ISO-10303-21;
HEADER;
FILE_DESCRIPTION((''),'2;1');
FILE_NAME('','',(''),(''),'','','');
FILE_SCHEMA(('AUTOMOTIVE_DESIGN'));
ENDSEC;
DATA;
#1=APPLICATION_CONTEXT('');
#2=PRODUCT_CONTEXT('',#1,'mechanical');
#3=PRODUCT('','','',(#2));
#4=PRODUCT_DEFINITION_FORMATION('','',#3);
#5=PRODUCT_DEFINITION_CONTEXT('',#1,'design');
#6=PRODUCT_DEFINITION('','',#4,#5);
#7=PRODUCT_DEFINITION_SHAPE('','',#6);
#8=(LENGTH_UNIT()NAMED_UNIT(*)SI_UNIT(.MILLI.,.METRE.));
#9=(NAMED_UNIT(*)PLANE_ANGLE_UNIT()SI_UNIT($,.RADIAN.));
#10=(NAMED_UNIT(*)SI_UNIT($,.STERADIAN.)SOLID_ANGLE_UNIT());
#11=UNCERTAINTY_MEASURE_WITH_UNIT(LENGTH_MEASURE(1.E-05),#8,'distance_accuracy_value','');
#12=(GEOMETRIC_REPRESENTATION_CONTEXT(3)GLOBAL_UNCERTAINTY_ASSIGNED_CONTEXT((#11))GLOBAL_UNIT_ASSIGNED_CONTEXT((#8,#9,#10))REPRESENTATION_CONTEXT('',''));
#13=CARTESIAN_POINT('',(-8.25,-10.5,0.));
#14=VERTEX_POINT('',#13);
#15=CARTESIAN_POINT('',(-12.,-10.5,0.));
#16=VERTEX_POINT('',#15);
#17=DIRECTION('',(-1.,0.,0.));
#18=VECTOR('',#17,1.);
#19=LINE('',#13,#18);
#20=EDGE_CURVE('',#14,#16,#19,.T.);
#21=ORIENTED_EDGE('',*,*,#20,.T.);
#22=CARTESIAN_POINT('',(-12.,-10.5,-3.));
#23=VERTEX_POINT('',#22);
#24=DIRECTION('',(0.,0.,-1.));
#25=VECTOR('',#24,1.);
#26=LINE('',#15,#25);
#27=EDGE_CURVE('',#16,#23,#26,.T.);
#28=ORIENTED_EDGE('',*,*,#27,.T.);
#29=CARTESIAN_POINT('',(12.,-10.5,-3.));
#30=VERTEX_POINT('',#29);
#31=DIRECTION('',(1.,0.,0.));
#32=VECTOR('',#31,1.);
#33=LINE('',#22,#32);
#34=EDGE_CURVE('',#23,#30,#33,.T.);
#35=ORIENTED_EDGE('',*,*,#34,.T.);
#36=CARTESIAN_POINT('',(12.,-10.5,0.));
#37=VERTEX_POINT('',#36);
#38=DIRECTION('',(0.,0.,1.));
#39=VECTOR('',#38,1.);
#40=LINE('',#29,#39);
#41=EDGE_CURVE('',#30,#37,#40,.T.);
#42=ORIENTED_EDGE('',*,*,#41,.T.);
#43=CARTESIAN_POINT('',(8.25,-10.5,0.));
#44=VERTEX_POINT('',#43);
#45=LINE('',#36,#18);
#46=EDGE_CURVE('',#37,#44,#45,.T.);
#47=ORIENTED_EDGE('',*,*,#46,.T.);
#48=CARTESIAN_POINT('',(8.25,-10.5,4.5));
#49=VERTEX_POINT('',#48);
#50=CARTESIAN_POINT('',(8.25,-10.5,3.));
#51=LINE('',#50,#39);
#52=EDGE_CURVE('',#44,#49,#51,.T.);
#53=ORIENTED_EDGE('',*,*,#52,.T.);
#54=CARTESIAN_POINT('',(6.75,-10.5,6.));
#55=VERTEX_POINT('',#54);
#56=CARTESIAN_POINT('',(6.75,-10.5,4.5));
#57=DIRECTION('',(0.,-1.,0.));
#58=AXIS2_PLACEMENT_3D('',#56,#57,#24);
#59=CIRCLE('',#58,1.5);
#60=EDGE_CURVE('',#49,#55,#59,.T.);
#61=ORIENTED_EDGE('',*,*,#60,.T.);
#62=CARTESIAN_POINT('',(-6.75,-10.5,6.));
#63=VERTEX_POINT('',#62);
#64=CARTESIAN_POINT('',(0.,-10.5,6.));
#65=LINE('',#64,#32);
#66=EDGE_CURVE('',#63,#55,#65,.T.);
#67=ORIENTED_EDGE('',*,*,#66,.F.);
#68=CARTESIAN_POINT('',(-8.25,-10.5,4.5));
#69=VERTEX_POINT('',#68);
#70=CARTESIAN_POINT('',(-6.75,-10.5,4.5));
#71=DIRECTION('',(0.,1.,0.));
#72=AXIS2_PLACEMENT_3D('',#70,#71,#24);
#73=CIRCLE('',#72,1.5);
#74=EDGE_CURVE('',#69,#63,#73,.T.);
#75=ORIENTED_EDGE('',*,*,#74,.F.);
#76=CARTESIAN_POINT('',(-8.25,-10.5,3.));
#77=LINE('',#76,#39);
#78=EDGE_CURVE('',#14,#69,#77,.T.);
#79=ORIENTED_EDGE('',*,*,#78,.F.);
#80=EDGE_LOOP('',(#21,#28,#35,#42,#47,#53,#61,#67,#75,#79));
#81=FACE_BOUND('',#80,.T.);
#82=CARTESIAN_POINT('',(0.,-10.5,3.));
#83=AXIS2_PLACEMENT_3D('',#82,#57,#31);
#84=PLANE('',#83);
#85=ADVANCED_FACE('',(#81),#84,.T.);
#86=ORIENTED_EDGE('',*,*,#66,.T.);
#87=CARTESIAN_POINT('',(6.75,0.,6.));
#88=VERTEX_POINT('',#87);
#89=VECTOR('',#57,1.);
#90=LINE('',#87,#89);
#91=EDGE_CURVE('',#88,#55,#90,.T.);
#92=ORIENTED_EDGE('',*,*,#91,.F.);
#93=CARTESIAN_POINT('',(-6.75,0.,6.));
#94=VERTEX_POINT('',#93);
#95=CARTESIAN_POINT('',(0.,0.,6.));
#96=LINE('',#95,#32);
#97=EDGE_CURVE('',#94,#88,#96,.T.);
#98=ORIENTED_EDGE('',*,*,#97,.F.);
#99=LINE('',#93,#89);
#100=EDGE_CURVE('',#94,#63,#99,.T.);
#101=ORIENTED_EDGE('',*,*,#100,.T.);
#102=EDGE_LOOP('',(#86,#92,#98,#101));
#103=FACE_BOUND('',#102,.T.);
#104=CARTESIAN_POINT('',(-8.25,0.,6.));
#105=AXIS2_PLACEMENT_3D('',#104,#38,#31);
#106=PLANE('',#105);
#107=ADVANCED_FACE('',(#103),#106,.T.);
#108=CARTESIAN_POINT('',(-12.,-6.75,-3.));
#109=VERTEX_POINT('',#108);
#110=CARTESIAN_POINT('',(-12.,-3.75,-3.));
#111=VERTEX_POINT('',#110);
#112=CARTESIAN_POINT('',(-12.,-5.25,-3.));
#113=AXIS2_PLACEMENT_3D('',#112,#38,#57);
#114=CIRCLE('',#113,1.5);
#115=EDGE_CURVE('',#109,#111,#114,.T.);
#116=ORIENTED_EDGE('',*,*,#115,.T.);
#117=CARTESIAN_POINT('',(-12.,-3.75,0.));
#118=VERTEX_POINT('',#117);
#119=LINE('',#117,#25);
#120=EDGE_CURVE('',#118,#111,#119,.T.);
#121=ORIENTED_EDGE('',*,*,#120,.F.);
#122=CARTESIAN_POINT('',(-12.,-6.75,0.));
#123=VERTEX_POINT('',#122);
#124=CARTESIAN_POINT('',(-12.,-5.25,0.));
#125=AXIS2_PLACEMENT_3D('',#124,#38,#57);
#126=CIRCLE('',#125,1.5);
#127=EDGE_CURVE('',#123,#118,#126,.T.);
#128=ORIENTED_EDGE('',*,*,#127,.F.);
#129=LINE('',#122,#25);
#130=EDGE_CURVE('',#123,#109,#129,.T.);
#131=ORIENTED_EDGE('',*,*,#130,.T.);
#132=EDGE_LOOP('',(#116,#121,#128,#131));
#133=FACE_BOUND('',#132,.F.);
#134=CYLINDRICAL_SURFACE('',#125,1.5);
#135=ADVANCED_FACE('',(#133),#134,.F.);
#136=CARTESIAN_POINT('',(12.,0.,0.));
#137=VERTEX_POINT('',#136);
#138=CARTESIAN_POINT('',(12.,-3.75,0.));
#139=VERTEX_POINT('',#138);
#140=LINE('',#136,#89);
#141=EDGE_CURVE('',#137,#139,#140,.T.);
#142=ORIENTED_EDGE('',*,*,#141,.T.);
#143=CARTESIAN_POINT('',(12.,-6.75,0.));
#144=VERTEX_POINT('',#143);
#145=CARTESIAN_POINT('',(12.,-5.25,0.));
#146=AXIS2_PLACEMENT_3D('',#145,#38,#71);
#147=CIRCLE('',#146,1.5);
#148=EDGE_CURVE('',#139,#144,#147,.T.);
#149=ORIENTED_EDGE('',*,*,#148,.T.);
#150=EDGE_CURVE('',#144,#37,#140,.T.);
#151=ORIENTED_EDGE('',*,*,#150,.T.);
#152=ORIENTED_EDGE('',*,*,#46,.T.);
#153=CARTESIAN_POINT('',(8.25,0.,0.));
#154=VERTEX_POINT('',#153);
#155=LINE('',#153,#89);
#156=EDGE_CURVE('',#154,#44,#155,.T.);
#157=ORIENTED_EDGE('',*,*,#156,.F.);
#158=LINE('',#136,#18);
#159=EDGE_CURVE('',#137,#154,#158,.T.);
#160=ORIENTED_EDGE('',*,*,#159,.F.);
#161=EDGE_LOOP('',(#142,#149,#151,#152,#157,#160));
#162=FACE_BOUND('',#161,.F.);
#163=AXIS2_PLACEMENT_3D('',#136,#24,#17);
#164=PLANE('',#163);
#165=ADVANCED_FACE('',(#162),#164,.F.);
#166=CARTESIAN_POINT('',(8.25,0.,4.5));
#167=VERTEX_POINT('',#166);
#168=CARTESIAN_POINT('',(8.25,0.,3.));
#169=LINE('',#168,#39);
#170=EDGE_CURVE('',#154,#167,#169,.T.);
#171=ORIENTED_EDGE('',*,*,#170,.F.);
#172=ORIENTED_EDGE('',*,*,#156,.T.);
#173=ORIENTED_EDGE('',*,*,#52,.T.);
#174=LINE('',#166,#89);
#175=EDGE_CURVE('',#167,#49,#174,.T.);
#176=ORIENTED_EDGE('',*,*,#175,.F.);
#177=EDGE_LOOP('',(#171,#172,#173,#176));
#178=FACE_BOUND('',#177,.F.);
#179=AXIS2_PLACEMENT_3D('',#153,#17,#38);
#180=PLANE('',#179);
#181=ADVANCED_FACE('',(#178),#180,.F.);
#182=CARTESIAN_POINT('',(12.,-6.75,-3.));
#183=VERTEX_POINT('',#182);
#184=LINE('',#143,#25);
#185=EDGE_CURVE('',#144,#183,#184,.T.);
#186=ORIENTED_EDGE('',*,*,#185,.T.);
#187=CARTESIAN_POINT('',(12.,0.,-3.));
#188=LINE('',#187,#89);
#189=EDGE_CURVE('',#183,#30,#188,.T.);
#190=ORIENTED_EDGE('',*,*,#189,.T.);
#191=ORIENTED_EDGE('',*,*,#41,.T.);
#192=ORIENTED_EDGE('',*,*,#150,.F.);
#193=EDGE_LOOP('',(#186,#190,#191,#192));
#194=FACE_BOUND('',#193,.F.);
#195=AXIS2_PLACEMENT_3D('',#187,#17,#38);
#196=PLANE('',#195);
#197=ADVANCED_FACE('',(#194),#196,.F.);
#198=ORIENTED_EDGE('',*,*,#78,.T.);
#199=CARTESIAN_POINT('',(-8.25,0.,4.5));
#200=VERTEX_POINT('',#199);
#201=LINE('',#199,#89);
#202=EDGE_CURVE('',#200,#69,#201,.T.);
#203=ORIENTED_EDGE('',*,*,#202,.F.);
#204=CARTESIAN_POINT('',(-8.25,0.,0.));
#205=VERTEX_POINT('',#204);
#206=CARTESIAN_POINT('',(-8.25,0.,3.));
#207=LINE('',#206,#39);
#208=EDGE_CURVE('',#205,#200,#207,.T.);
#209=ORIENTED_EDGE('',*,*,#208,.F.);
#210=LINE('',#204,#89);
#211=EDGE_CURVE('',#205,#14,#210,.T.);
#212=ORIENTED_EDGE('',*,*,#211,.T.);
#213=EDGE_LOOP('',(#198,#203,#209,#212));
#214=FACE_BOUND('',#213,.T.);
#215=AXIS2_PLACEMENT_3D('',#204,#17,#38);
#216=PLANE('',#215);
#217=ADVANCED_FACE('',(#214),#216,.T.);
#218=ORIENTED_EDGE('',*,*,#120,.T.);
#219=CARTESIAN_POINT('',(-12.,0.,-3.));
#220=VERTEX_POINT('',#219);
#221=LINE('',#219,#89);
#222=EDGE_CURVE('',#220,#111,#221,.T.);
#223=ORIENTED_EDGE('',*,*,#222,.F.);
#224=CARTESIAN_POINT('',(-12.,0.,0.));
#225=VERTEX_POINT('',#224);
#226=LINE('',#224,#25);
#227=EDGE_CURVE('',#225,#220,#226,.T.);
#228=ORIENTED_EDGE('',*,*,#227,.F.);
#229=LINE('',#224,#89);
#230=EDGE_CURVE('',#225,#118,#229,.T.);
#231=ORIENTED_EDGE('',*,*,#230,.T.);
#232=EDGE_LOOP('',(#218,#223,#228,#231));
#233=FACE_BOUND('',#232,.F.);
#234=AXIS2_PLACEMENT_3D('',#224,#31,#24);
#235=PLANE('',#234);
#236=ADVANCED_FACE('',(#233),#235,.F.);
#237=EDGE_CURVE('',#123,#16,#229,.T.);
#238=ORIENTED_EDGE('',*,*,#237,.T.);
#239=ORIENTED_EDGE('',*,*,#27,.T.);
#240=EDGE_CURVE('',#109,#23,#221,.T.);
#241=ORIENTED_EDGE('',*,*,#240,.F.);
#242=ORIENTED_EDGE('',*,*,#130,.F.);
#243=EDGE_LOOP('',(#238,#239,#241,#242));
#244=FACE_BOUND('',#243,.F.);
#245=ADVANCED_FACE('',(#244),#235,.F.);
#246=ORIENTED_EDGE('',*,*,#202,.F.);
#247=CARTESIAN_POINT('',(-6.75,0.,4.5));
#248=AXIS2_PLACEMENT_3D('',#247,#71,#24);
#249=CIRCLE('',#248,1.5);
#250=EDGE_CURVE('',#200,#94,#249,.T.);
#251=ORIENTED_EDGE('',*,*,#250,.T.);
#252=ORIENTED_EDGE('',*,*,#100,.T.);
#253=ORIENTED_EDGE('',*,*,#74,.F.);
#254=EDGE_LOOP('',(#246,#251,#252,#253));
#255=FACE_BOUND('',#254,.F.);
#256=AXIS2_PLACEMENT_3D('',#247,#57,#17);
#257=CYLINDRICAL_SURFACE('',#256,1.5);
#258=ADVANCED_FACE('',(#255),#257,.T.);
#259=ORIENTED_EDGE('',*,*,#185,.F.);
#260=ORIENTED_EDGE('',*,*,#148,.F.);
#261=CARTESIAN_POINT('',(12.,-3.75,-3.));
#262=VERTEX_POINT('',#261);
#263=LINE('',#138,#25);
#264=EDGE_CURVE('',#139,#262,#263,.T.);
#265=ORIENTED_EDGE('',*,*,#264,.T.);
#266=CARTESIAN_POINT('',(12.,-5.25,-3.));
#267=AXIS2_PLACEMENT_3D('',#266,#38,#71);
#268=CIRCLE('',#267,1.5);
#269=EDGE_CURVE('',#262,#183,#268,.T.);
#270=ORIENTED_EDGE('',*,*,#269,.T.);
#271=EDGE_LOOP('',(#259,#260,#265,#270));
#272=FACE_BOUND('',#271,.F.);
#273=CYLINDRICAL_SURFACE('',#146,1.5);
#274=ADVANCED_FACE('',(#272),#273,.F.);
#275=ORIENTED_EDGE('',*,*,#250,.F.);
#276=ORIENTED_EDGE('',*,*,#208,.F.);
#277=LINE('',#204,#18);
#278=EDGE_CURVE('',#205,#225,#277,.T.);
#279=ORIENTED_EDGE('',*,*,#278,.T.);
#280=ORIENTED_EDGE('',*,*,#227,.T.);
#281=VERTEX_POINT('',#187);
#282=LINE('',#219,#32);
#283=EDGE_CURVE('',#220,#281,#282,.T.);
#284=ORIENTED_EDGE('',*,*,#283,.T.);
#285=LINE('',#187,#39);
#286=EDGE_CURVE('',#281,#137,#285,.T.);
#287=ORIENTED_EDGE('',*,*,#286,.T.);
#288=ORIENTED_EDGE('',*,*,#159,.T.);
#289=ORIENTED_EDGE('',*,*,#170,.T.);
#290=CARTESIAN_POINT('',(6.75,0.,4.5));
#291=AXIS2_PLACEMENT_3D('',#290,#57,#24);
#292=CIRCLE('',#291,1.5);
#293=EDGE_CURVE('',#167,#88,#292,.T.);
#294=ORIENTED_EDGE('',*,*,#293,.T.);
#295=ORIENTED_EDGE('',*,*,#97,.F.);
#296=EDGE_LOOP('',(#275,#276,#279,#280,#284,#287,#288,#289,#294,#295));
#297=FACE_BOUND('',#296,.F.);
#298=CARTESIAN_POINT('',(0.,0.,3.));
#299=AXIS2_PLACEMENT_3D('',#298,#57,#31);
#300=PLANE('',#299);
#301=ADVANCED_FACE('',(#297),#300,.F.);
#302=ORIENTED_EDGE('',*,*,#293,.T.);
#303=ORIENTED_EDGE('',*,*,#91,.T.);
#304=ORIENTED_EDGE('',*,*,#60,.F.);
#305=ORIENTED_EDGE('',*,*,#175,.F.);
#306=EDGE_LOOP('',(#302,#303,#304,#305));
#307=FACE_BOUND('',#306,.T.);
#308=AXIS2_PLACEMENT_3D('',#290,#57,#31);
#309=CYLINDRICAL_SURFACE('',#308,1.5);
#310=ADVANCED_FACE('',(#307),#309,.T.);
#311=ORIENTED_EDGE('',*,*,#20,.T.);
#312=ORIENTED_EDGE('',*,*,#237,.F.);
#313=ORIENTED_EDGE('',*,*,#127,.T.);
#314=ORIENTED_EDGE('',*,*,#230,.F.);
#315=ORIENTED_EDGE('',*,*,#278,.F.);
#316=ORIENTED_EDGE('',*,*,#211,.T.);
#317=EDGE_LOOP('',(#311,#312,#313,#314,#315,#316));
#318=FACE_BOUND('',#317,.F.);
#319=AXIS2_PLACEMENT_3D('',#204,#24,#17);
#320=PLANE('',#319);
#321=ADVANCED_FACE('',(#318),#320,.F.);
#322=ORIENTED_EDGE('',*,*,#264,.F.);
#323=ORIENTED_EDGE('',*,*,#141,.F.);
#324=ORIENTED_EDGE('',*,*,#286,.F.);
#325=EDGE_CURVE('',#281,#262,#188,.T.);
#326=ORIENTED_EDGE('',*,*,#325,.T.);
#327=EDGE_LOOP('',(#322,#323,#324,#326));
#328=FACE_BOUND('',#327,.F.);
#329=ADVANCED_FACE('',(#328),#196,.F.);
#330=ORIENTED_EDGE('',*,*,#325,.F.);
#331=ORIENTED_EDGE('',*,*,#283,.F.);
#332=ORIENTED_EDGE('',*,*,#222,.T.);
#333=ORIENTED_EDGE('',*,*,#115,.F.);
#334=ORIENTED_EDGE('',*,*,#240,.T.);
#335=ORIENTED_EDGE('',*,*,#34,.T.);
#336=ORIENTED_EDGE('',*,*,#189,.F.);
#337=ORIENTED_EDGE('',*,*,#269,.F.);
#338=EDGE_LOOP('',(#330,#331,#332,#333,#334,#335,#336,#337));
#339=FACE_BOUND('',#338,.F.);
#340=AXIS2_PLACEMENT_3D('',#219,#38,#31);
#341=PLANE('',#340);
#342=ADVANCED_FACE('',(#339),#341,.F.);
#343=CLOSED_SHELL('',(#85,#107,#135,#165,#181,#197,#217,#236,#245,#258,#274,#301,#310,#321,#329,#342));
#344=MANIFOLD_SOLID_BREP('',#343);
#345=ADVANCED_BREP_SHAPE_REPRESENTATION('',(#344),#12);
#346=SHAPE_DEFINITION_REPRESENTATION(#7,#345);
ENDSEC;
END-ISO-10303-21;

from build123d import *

# Parameters (mm, degrees)
F0_W     = 1.1
F0_H     = 0.4
F1_DEPTH = 0.7
F2_R     = 0.1
F4_DEPTH = 25
F5_SCALE = 15


with BuildPart() as f1:
    # F0 (on Front) → F1 (new body)
    with BuildSketch(Plane.XZ):
        with Locations((0, 0.2)):
            Rectangle(F0_W, F0_H)
        Polygon((0.55, 0), (-0.55, 0), (-0.8, 0), (-0.8, -0.2), (0.8, -0.2), (0.8, 0), align=None)
    extrude(amount=F1_DEPTH)

    # F2
    f2_edges = [f1.edges().sort_by_distance(p)[0] for p in [
        (-0.55, -0.35, 0.4),
        (0.55, -0.35, 0.4),
    ]]
    fillet(f2_edges, radius=F2_R)

    # F3 (on face) → F4 (cut)
    with BuildSketch(Plane.XY):
        with BuildLine():
            Line((-0.8, -0.25), (-0.8, -0.45))
            ThreePointArc((-0.8, -0.45), (-0.7, -0.35), (-0.8, -0.25))
        make_face()
        with BuildLine():
            Line((0.8, -0.45), (0.8, -0.25))
            ThreePointArc((0.8, -0.25), (0.7, -0.35), (0.8, -0.45))
        make_face()
    extrude(amount=-F4_DEPTH, mode=Mode.SUBTRACT)


with BuildPart() as f1_1:
    # F5: moved
    add(f1.part.scale(F5_SCALE))


solid = f1_1.part
